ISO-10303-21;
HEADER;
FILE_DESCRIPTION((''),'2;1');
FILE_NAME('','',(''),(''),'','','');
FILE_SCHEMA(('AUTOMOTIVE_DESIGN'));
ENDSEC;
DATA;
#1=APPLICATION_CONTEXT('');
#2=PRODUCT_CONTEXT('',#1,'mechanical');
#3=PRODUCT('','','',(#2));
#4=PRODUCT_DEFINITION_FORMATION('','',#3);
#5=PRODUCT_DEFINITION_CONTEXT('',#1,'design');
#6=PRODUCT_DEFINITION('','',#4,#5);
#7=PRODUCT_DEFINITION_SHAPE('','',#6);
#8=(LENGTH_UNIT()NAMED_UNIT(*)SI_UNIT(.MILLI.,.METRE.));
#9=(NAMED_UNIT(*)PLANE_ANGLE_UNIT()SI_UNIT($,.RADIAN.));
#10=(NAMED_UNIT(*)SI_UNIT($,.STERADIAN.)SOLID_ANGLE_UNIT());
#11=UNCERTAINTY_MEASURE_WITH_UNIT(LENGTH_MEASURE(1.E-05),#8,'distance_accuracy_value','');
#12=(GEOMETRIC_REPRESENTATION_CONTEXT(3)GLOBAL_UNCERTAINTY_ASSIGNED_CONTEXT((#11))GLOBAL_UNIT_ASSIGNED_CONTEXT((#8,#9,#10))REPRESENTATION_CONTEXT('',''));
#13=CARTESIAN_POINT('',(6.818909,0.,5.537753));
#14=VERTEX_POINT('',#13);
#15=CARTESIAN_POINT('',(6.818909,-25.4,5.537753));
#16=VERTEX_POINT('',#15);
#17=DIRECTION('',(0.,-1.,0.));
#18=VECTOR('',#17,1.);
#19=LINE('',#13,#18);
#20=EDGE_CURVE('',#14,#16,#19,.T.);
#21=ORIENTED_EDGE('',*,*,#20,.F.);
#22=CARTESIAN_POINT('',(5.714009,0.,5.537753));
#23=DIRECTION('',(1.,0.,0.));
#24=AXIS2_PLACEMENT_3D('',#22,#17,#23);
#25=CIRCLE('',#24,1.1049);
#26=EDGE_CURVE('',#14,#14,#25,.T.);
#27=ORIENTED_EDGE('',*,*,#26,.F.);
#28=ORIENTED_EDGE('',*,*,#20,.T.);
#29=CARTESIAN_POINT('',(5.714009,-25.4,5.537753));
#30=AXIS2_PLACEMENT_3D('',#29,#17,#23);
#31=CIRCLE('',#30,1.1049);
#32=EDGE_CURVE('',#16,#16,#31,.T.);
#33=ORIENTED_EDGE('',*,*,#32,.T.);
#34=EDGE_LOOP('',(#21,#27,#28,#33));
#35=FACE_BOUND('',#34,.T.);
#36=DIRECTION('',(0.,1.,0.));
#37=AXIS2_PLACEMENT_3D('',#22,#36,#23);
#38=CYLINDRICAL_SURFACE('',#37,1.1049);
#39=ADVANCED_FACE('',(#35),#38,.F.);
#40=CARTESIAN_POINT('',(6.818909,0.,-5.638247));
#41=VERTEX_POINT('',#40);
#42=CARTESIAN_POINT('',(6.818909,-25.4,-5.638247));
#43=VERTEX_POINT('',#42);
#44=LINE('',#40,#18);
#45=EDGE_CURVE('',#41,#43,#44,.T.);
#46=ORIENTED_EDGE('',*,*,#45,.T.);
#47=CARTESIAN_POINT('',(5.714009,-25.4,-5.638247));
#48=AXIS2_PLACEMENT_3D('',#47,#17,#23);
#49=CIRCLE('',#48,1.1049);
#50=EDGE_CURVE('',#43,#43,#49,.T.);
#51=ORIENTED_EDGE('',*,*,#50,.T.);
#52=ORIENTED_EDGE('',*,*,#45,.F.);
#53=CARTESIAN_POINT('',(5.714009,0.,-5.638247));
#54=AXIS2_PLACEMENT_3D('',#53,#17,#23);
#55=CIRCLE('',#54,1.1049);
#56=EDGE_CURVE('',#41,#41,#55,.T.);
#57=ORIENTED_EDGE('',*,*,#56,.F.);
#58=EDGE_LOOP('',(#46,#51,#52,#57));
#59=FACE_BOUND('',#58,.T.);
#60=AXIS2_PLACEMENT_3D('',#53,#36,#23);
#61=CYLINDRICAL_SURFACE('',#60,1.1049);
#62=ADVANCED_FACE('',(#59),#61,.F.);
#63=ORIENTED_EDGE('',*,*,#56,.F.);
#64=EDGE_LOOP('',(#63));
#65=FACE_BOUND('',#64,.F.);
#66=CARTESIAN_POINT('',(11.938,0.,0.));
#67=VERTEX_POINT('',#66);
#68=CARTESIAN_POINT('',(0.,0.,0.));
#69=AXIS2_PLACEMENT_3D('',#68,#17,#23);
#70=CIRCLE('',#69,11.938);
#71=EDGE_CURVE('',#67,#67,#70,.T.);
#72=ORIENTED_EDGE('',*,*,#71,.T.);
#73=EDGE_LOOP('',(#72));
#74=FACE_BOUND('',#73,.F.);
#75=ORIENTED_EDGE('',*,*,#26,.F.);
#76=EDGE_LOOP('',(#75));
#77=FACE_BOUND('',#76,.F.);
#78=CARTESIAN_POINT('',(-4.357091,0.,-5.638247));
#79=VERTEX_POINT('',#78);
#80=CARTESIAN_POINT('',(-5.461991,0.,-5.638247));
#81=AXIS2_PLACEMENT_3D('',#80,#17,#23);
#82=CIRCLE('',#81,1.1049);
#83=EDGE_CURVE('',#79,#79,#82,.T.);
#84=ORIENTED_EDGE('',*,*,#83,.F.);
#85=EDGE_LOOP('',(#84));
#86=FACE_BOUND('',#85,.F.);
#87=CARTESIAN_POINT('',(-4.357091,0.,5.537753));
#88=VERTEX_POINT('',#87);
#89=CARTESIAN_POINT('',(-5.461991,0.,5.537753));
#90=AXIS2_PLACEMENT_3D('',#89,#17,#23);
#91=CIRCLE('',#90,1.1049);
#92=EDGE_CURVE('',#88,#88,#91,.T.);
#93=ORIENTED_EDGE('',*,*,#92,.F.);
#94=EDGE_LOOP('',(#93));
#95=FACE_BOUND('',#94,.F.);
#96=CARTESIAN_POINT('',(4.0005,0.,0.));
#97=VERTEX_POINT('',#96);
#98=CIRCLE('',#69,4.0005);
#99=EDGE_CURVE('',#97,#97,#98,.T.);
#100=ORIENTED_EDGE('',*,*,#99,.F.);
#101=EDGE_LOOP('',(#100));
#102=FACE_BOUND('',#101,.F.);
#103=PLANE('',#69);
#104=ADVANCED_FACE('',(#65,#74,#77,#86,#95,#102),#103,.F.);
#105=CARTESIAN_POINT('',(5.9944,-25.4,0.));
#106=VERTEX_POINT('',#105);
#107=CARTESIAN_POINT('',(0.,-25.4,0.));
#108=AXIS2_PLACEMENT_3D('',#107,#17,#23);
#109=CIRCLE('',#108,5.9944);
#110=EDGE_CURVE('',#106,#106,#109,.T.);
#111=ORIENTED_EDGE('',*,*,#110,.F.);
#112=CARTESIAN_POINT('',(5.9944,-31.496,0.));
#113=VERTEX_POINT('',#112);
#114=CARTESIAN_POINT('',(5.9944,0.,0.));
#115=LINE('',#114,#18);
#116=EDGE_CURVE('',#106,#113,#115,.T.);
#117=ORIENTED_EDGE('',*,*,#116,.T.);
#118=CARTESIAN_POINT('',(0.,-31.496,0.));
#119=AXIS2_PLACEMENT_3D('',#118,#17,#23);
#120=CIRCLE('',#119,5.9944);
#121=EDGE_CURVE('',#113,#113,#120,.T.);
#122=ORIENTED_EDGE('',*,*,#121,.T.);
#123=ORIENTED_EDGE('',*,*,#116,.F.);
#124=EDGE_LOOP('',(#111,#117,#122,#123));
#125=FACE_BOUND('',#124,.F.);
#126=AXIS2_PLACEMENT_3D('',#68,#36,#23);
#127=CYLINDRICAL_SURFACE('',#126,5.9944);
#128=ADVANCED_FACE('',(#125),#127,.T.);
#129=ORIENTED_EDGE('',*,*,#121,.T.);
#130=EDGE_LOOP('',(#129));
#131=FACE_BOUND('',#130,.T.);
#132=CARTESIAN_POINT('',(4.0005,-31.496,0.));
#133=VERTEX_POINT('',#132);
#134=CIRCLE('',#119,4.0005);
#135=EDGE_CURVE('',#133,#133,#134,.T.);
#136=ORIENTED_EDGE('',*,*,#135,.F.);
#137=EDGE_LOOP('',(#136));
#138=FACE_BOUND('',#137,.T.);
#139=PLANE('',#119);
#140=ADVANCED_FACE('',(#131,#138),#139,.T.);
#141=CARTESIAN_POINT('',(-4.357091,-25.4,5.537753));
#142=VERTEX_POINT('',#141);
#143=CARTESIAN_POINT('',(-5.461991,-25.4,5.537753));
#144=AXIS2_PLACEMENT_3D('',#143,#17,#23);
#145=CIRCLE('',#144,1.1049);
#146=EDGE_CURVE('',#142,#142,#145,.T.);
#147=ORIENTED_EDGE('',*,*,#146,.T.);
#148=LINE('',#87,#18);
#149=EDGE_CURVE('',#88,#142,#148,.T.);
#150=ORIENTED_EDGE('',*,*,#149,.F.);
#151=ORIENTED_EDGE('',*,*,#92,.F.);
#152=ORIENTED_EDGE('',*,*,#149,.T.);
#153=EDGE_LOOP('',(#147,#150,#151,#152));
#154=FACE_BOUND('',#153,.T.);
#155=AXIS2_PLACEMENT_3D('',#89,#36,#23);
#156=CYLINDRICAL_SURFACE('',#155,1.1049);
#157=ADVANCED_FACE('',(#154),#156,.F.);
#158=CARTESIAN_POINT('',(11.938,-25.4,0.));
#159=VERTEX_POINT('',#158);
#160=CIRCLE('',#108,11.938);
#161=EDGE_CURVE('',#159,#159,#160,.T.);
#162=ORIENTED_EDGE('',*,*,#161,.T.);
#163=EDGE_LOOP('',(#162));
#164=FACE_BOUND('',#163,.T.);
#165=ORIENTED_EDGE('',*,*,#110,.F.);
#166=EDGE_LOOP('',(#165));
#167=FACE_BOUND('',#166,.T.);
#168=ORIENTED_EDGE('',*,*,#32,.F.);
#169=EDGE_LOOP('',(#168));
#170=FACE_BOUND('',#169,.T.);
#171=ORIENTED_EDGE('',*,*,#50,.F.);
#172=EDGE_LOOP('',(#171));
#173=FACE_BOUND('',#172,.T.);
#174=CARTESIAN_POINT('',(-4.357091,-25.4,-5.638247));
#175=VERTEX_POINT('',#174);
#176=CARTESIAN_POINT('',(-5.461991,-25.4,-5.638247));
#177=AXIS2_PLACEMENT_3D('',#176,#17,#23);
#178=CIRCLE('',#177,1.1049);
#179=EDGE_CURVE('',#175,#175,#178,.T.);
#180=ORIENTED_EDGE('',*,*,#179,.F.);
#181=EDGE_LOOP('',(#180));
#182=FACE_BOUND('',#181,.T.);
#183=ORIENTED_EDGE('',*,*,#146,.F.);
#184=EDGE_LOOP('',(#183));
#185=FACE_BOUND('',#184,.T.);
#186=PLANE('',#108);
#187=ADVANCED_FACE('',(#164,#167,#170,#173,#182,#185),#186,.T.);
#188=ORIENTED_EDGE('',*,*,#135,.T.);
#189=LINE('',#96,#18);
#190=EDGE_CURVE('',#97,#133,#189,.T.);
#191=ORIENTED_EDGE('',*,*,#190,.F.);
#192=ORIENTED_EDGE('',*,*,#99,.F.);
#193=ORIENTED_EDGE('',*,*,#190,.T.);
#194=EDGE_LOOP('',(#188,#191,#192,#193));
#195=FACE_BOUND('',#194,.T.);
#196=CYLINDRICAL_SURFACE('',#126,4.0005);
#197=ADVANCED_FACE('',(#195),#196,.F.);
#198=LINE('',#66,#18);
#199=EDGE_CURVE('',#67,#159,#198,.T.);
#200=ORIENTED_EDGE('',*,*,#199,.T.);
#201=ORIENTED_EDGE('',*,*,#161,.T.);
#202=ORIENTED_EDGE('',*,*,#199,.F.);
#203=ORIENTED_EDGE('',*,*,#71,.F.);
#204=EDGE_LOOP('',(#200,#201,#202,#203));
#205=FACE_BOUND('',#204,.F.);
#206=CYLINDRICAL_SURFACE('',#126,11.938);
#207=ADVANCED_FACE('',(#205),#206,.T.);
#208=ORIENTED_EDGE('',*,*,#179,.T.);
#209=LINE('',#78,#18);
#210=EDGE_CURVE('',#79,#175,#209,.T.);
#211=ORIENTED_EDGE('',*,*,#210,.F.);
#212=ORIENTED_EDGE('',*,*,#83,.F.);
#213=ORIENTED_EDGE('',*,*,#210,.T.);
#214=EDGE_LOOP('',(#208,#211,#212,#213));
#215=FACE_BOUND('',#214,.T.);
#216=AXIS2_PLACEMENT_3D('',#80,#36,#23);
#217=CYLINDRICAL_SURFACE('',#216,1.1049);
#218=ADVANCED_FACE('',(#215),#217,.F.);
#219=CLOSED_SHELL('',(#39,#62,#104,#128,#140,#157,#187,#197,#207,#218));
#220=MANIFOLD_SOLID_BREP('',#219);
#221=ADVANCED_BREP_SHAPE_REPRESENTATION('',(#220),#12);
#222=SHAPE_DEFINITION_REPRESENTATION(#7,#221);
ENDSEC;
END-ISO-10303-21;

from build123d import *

# Parameters (mm, degrees)
F0_R     = 11.938
F0_R_2   = 1.1049
F0_R_3   = 5.9944
F1_DEPTH = 25.4
F0_R_4   = 4.0005
F2_DEPTH = 31.496


with BuildPart() as f1:
    # F0 (on Front) → F1 (new body)
    with BuildSketch(Plane.XZ):
        Circle(F0_R)
        with Locations((-5.461991, -5.638247)):
            Circle(F0_R_2, mode=Mode.SUBTRACT)
        with Locations((5.714009, -5.638247)):
            Circle(F0_R_2, mode=Mode.SUBTRACT)
        with Locations((-5.461991, 5.537753)):
            Circle(F0_R_2, mode=Mode.SUBTRACT)
        Circle(F0_R_3, mode=Mode.SUBTRACT)
        with Locations((5.714009, 5.537753)):
            Circle(F0_R_2, mode=Mode.SUBTRACT)
    extrude(amount=F1_DEPTH)

    # F0 (on Front) → F2 (join)
    with BuildSketch(Plane.XZ):
        Circle(F0_R_3)
        Circle(F0_R_4, mode=Mode.SUBTRACT)
    extrude(amount=F2_DEPTH)


solid = f1.part
